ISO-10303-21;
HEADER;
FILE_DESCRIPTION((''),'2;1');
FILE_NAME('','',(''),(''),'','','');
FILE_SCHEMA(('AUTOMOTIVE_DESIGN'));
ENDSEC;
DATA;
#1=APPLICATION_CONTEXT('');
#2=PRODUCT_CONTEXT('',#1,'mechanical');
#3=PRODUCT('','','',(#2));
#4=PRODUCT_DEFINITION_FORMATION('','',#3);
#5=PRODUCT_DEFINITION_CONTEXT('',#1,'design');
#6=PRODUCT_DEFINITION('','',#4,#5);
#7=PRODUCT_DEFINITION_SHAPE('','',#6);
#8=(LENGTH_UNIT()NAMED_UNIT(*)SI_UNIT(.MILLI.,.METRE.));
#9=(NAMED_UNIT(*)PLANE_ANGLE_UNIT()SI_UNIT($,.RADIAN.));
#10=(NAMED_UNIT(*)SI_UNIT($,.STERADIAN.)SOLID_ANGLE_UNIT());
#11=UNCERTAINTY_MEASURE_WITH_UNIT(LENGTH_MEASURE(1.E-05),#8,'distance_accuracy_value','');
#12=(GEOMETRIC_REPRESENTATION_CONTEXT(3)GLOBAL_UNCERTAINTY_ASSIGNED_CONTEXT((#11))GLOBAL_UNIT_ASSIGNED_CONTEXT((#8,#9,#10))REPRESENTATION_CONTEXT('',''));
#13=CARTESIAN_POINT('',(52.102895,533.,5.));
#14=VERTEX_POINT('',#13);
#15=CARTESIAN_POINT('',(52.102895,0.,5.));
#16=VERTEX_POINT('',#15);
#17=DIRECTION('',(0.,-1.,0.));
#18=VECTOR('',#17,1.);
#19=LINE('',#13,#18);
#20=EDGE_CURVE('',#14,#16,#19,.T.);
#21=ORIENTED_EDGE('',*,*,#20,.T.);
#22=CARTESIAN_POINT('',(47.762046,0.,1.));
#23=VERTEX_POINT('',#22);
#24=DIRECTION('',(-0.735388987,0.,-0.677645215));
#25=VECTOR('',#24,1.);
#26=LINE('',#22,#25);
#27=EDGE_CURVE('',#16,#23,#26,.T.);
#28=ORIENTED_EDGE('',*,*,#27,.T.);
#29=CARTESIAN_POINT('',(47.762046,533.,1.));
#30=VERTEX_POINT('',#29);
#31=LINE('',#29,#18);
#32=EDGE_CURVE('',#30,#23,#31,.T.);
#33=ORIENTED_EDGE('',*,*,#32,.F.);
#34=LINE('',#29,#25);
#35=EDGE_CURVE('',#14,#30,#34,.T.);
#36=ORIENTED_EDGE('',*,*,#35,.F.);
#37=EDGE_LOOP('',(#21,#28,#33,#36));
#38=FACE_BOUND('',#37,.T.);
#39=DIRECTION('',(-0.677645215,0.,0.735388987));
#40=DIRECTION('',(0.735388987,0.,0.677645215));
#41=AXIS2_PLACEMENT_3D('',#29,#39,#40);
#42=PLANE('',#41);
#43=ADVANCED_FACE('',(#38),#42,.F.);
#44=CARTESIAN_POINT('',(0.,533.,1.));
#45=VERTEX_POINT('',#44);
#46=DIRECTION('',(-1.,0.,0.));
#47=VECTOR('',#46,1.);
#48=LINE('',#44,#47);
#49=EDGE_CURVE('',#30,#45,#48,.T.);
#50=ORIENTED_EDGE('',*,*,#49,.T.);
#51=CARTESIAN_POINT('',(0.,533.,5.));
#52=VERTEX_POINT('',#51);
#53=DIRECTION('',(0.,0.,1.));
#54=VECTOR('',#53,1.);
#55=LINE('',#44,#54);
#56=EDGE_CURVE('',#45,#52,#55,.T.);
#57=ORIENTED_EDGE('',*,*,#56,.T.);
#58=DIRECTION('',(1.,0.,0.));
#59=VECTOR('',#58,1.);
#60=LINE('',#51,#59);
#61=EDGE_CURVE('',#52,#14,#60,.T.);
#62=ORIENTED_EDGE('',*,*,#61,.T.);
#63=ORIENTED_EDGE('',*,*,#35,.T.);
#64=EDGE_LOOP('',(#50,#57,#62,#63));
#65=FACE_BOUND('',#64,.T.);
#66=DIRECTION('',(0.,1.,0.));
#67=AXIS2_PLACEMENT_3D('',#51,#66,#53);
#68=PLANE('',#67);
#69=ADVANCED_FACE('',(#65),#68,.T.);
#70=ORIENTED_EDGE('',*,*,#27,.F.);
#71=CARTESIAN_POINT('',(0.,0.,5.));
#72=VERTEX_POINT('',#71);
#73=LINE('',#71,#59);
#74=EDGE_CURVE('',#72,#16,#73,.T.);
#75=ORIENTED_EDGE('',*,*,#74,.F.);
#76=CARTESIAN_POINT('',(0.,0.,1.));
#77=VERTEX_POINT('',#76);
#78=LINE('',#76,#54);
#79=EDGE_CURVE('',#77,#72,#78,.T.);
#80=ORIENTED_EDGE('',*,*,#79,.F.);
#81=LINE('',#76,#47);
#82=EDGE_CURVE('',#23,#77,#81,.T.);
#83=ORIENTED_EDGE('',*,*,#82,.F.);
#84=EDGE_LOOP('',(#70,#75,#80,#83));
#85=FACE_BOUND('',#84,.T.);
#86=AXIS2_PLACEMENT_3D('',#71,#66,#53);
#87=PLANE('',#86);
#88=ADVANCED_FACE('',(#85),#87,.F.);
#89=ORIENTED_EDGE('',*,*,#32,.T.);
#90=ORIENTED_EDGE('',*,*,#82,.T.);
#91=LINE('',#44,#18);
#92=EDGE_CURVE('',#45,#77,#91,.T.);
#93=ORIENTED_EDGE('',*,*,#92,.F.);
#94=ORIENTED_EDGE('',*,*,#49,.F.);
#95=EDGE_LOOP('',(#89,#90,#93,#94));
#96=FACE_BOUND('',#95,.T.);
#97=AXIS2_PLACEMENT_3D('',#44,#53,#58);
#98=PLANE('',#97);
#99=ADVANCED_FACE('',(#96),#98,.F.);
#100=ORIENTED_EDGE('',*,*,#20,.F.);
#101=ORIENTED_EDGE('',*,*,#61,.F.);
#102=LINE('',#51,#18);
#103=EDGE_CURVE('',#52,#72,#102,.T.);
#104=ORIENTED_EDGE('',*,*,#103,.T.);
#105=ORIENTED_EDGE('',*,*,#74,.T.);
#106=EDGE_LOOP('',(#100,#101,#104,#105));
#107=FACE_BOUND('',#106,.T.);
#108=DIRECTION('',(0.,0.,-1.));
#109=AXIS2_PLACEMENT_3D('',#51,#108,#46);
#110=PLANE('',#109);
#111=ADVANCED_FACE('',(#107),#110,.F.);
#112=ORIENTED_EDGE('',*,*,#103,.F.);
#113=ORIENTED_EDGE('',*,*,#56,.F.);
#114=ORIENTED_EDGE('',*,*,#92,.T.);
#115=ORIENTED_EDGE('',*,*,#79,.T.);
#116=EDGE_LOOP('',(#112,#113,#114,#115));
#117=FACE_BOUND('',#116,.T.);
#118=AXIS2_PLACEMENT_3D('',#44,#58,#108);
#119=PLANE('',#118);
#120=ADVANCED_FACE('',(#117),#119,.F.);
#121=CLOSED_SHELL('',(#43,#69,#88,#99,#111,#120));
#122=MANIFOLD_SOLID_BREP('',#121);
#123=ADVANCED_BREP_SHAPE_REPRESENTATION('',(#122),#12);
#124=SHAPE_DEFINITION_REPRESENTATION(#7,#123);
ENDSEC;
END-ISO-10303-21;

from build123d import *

# Parameters (mm, degrees)
EXTRUDE_1_DEPTH = 533


with BuildPart() as part:
    # Эскиз1 → Вытянуть1 (new body)
    with BuildSketch(Plane(origin=(0, 0, 0), x_dir=(1, 0, 0), z_dir=(0, 1, 0))):
        Polygon((0, -1), (47.762045872, -1), (52.102895451, -5), (0, -5), align=None)
    extrude(amount=EXTRUDE_1_DEPTH)


solid = part.part
